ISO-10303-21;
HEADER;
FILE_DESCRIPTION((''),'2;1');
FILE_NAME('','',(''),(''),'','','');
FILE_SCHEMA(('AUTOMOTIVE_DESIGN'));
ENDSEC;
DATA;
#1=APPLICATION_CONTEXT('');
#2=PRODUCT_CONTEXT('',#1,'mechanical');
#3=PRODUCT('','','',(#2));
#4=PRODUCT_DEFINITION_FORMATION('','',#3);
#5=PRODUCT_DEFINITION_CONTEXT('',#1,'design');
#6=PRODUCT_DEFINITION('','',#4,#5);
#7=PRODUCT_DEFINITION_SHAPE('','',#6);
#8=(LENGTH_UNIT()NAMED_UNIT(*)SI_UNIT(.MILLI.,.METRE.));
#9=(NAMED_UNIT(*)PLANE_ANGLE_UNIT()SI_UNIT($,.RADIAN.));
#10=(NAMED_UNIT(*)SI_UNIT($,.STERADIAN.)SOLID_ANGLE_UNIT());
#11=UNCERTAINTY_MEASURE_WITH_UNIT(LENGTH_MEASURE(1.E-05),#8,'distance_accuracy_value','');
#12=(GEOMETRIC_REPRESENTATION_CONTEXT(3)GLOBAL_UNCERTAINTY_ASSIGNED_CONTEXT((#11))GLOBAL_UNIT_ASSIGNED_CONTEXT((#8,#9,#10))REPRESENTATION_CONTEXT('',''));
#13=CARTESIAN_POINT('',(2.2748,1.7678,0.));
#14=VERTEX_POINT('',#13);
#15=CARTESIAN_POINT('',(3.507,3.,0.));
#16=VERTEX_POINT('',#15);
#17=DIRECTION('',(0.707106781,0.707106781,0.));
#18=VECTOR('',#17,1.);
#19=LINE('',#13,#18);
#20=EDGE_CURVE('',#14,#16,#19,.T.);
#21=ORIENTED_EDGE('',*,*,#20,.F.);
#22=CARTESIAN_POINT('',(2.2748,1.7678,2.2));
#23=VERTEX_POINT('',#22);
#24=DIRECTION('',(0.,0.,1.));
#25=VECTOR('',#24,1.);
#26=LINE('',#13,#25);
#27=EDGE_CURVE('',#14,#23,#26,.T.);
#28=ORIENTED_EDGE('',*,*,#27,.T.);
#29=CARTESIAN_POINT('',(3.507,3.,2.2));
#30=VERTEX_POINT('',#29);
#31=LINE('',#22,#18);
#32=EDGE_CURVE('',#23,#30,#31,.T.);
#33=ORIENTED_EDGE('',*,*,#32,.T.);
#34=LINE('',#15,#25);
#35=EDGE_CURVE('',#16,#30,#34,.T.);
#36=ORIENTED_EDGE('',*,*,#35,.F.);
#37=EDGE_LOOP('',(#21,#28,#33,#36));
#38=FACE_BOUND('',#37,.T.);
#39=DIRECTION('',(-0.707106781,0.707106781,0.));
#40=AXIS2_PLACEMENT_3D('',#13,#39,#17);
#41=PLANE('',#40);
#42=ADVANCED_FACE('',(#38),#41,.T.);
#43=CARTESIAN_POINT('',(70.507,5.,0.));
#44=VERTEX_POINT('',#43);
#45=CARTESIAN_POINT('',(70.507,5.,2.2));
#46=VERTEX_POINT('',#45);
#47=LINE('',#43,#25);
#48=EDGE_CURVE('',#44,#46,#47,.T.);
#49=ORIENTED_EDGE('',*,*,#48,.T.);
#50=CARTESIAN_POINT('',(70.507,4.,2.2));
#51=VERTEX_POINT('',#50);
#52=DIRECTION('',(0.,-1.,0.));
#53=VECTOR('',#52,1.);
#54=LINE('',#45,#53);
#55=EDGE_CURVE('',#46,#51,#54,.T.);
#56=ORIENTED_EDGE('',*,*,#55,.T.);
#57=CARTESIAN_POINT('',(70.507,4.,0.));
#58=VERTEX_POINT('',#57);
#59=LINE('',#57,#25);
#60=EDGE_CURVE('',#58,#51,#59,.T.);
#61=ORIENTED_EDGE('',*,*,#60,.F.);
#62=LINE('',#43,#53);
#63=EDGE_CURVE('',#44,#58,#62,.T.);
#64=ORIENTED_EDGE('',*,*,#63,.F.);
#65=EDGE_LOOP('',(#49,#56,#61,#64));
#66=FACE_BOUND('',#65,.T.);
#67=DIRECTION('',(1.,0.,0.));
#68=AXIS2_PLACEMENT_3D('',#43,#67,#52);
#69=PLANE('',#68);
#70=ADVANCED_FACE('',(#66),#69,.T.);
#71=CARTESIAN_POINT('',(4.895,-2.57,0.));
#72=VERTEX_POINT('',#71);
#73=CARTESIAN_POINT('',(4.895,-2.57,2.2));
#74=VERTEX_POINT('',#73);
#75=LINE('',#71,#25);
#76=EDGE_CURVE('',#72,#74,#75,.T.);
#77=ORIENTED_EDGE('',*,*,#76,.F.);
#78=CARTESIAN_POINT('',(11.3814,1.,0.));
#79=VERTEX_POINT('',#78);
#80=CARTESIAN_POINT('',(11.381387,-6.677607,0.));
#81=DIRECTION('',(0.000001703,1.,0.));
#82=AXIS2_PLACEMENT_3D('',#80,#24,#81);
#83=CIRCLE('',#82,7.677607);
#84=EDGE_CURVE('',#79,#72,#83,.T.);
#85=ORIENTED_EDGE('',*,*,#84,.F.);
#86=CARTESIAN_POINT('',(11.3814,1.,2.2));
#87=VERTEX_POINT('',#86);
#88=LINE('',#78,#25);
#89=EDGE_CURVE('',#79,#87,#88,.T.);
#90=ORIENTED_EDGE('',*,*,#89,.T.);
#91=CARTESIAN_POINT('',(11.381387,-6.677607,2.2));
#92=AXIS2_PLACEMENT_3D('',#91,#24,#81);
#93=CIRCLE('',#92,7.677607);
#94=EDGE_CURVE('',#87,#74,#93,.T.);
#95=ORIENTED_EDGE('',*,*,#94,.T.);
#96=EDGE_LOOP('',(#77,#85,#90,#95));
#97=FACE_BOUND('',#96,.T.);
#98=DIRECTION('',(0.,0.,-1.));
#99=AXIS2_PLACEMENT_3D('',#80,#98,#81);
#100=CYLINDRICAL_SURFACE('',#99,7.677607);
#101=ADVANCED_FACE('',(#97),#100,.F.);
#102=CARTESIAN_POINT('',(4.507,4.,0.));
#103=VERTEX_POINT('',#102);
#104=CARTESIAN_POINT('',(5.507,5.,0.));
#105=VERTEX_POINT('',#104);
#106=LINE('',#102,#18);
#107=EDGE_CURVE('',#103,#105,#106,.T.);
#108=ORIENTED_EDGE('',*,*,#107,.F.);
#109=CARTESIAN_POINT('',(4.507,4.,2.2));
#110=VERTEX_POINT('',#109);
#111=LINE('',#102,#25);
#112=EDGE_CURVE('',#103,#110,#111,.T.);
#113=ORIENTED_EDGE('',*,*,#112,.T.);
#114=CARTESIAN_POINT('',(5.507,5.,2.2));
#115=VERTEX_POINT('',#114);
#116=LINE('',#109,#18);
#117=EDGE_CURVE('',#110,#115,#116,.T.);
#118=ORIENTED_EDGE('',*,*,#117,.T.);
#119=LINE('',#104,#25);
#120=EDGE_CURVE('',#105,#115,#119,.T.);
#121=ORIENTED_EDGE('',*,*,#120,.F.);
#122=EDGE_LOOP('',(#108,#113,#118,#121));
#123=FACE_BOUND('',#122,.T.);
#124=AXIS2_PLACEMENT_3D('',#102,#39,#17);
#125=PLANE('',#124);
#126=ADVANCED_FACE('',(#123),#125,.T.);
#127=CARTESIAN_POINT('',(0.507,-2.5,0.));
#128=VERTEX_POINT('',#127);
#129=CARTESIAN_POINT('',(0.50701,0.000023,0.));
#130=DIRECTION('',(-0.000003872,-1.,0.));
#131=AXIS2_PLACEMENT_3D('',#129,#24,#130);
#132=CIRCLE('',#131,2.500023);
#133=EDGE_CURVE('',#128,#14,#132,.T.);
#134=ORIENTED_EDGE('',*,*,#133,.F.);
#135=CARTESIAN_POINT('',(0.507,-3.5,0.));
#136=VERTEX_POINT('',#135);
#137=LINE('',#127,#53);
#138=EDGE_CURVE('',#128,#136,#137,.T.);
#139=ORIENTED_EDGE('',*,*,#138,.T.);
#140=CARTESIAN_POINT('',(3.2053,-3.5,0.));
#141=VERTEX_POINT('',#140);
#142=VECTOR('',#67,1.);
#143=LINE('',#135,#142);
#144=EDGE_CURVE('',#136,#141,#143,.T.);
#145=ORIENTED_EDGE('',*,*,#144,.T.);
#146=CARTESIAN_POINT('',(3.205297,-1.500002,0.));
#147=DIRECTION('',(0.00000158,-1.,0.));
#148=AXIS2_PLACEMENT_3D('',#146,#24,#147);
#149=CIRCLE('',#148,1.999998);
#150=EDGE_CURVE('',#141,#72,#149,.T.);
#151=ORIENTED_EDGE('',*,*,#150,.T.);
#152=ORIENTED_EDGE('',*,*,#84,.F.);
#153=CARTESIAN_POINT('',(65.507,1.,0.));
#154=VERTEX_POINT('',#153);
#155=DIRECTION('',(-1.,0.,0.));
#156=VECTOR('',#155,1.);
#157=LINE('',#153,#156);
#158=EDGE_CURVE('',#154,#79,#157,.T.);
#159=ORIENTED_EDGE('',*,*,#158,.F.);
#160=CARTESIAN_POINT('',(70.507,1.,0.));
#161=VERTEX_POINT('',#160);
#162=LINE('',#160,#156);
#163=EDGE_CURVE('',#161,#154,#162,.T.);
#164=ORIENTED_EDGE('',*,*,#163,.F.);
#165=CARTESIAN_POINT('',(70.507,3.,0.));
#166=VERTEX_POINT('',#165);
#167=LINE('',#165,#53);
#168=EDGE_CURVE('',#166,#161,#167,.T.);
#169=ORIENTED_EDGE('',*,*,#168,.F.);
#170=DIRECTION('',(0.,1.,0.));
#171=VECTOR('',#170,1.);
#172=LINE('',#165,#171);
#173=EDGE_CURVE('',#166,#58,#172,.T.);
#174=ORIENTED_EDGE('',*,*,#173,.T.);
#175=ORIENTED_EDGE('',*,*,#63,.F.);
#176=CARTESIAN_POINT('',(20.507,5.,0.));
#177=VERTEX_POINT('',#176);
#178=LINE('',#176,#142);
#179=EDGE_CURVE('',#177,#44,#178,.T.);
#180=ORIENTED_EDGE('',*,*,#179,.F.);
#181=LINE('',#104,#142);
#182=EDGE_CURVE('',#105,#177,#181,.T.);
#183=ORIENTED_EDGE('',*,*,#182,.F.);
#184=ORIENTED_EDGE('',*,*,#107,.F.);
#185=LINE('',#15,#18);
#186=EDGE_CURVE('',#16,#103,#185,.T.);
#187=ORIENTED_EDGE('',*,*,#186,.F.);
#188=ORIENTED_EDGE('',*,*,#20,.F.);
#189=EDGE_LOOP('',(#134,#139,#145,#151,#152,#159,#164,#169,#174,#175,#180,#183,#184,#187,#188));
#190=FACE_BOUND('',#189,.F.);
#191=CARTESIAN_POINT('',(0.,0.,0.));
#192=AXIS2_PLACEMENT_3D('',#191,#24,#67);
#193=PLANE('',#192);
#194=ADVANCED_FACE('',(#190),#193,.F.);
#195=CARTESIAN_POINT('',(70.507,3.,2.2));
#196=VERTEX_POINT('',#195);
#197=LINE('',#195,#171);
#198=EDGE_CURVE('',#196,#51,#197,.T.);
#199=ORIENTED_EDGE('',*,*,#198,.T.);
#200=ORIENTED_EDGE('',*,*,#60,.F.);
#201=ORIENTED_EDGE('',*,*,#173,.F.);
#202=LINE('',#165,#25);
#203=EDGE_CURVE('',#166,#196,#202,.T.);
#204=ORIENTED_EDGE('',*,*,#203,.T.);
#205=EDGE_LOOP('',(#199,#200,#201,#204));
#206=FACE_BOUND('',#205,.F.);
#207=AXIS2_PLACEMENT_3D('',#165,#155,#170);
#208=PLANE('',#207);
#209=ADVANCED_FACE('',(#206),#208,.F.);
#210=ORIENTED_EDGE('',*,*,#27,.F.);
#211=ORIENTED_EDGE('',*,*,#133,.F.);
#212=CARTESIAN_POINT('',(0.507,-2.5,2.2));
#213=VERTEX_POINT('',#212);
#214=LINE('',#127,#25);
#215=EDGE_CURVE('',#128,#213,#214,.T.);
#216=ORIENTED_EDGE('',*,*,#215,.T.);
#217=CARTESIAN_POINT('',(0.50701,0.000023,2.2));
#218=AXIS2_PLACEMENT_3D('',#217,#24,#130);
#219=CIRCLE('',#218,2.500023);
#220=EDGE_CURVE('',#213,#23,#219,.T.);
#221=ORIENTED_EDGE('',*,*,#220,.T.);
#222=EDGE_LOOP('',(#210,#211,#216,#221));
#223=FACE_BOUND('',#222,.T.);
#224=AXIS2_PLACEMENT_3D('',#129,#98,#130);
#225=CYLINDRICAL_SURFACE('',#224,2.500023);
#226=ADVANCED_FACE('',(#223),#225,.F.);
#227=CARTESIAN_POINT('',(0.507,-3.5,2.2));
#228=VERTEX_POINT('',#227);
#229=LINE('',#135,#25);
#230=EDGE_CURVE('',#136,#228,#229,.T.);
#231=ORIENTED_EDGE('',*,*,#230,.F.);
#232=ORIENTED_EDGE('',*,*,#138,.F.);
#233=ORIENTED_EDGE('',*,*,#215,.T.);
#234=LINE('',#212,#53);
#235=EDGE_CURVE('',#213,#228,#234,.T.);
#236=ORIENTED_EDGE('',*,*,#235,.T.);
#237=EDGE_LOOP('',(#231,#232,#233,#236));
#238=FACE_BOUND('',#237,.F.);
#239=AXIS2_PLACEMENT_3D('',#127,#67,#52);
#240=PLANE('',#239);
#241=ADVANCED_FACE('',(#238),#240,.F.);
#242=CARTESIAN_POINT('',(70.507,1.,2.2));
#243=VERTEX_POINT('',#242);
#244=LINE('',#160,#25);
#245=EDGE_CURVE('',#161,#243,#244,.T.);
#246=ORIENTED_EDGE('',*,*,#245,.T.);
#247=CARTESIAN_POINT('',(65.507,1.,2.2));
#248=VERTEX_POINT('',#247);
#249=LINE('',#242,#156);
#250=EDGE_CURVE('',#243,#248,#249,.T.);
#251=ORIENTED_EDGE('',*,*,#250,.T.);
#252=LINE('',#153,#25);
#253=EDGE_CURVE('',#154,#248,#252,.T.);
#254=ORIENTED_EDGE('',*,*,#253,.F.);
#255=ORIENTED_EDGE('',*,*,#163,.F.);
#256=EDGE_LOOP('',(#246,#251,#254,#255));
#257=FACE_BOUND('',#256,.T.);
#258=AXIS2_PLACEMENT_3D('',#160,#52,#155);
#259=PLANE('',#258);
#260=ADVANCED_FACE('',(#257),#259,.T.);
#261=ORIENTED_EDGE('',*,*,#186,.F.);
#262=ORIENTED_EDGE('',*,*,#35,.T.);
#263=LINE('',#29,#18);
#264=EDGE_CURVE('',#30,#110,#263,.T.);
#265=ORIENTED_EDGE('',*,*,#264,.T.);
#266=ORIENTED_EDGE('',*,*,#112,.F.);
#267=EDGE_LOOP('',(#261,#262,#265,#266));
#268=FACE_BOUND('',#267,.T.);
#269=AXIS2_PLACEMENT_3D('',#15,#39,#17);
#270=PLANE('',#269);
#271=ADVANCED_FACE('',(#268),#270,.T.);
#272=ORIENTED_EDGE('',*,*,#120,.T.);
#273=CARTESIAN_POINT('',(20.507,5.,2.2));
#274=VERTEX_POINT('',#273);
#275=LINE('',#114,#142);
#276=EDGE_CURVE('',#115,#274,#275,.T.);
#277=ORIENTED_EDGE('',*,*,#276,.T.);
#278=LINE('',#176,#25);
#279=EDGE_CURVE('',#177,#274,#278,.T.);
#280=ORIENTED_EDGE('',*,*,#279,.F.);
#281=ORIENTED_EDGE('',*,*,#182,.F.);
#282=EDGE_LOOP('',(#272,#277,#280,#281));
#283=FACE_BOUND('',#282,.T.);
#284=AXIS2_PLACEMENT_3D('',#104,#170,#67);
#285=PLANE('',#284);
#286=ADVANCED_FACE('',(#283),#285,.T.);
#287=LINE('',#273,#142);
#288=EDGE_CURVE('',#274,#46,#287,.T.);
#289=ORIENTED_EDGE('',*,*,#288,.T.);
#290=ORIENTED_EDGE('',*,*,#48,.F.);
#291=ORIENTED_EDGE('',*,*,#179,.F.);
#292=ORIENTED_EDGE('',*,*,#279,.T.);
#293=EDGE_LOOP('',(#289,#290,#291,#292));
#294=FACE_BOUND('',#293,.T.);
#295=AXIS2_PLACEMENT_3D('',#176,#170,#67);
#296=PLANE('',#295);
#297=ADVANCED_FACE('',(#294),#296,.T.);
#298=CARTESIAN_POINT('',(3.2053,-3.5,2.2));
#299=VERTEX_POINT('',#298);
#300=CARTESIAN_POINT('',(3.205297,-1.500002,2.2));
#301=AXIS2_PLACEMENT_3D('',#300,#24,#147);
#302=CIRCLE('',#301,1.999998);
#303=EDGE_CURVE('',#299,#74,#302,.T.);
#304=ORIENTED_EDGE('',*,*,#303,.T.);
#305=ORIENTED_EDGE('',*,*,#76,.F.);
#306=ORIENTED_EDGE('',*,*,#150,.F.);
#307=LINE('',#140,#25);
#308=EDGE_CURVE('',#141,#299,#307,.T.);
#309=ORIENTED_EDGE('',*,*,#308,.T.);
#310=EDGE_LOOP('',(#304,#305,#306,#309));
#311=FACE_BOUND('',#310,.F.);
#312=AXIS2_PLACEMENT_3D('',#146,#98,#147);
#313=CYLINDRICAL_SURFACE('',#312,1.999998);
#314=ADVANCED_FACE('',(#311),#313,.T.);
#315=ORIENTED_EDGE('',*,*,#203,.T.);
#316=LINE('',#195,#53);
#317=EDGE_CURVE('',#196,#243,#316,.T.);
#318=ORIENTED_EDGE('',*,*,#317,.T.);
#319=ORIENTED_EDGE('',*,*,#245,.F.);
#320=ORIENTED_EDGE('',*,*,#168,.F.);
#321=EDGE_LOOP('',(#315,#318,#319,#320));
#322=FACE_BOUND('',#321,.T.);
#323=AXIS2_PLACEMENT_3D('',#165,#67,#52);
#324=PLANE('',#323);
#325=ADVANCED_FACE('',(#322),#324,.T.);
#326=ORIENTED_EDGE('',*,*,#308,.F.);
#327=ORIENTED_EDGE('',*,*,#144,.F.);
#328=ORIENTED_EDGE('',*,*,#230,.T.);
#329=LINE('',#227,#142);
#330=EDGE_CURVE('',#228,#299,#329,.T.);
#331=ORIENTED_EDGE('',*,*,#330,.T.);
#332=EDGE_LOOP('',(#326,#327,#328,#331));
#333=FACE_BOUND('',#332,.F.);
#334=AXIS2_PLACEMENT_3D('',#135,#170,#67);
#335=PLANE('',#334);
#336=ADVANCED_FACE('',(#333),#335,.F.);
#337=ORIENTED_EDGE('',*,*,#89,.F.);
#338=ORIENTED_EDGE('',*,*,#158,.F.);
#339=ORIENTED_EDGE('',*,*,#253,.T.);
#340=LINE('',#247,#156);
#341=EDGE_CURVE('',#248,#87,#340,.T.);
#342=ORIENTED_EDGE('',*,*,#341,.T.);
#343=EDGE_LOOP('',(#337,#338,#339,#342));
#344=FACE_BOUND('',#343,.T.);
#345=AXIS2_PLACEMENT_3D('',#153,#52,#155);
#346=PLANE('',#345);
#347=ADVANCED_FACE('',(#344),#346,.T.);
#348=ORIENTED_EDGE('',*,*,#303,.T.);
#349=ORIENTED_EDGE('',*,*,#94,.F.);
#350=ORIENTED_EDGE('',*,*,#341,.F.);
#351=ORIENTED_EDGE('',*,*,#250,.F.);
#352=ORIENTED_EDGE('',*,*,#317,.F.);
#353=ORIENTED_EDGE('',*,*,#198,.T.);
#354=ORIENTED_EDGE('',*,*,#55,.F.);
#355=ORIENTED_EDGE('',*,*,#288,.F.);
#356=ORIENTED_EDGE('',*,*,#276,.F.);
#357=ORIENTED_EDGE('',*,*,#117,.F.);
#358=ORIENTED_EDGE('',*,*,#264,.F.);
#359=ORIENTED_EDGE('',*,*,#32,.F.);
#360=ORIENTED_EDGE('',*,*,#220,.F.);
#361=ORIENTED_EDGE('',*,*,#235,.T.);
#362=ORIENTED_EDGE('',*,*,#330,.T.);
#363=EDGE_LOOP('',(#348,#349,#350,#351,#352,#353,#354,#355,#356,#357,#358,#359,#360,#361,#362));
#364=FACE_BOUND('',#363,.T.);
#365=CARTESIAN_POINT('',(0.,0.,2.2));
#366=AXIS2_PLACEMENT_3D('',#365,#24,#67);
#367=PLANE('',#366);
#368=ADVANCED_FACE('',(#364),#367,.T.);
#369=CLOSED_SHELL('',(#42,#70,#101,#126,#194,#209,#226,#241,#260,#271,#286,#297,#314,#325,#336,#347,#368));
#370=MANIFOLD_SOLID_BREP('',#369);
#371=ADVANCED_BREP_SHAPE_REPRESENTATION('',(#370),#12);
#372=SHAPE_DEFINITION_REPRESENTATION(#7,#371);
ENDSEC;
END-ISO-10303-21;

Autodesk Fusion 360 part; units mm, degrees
sketch "Sketch1" plane through (0, 0, 0) normal (0, 0, 1) x (1, 0, 0)
  line L0 (3.507, 3) -> (2.507, 3)
  line L1 (4.507, 4) -> (5.507, 5)
  line L2 (5.507, 5) -> (20.507, 5)
  line L3 (2.2748, 1.7678) -> (3.507, 3)
  line L4 (0.507, -2.5) -> (0.507, -3.5)
  line L5 (0.507, -3.5) -> (3.2053, -3.5)
  line L6 (20.507, 5) -> (70.507, 5)
  line L7 (70.507, 3) -> (70.507, 1)
  line L8 (70.507, 5) -> (70.507, 4)
  line L9 (70.507, 1) -> (65.507, 1)
  line L10 (65.507, 1) -> (11.3814, 1)
  arc A0 (0.507, -2.5) -> (2.2748, 1.7678) centre (0.507, 0) ccw
  arc A1 (11.3814, 1) -> (4.895, -2.57) centre (11.3814, -6.6776) ccw
  arc A2 (3.2053, -3.5) -> (4.895, -2.57) centre (3.2053, -1.5) ccw
  line L11 (3.507, 3) -> (4.507, 4)
  line L12 (70.507, 3) -> (70.507, 4)
  dimension "d19" = 50
  dimension "d20" = 2
  dimension "d24" = 5
  dimension "d29" = 5
  dimension "d30" = 2
extrude "Extrude5" add sketch "Sketch1" along normal blind 2.2
